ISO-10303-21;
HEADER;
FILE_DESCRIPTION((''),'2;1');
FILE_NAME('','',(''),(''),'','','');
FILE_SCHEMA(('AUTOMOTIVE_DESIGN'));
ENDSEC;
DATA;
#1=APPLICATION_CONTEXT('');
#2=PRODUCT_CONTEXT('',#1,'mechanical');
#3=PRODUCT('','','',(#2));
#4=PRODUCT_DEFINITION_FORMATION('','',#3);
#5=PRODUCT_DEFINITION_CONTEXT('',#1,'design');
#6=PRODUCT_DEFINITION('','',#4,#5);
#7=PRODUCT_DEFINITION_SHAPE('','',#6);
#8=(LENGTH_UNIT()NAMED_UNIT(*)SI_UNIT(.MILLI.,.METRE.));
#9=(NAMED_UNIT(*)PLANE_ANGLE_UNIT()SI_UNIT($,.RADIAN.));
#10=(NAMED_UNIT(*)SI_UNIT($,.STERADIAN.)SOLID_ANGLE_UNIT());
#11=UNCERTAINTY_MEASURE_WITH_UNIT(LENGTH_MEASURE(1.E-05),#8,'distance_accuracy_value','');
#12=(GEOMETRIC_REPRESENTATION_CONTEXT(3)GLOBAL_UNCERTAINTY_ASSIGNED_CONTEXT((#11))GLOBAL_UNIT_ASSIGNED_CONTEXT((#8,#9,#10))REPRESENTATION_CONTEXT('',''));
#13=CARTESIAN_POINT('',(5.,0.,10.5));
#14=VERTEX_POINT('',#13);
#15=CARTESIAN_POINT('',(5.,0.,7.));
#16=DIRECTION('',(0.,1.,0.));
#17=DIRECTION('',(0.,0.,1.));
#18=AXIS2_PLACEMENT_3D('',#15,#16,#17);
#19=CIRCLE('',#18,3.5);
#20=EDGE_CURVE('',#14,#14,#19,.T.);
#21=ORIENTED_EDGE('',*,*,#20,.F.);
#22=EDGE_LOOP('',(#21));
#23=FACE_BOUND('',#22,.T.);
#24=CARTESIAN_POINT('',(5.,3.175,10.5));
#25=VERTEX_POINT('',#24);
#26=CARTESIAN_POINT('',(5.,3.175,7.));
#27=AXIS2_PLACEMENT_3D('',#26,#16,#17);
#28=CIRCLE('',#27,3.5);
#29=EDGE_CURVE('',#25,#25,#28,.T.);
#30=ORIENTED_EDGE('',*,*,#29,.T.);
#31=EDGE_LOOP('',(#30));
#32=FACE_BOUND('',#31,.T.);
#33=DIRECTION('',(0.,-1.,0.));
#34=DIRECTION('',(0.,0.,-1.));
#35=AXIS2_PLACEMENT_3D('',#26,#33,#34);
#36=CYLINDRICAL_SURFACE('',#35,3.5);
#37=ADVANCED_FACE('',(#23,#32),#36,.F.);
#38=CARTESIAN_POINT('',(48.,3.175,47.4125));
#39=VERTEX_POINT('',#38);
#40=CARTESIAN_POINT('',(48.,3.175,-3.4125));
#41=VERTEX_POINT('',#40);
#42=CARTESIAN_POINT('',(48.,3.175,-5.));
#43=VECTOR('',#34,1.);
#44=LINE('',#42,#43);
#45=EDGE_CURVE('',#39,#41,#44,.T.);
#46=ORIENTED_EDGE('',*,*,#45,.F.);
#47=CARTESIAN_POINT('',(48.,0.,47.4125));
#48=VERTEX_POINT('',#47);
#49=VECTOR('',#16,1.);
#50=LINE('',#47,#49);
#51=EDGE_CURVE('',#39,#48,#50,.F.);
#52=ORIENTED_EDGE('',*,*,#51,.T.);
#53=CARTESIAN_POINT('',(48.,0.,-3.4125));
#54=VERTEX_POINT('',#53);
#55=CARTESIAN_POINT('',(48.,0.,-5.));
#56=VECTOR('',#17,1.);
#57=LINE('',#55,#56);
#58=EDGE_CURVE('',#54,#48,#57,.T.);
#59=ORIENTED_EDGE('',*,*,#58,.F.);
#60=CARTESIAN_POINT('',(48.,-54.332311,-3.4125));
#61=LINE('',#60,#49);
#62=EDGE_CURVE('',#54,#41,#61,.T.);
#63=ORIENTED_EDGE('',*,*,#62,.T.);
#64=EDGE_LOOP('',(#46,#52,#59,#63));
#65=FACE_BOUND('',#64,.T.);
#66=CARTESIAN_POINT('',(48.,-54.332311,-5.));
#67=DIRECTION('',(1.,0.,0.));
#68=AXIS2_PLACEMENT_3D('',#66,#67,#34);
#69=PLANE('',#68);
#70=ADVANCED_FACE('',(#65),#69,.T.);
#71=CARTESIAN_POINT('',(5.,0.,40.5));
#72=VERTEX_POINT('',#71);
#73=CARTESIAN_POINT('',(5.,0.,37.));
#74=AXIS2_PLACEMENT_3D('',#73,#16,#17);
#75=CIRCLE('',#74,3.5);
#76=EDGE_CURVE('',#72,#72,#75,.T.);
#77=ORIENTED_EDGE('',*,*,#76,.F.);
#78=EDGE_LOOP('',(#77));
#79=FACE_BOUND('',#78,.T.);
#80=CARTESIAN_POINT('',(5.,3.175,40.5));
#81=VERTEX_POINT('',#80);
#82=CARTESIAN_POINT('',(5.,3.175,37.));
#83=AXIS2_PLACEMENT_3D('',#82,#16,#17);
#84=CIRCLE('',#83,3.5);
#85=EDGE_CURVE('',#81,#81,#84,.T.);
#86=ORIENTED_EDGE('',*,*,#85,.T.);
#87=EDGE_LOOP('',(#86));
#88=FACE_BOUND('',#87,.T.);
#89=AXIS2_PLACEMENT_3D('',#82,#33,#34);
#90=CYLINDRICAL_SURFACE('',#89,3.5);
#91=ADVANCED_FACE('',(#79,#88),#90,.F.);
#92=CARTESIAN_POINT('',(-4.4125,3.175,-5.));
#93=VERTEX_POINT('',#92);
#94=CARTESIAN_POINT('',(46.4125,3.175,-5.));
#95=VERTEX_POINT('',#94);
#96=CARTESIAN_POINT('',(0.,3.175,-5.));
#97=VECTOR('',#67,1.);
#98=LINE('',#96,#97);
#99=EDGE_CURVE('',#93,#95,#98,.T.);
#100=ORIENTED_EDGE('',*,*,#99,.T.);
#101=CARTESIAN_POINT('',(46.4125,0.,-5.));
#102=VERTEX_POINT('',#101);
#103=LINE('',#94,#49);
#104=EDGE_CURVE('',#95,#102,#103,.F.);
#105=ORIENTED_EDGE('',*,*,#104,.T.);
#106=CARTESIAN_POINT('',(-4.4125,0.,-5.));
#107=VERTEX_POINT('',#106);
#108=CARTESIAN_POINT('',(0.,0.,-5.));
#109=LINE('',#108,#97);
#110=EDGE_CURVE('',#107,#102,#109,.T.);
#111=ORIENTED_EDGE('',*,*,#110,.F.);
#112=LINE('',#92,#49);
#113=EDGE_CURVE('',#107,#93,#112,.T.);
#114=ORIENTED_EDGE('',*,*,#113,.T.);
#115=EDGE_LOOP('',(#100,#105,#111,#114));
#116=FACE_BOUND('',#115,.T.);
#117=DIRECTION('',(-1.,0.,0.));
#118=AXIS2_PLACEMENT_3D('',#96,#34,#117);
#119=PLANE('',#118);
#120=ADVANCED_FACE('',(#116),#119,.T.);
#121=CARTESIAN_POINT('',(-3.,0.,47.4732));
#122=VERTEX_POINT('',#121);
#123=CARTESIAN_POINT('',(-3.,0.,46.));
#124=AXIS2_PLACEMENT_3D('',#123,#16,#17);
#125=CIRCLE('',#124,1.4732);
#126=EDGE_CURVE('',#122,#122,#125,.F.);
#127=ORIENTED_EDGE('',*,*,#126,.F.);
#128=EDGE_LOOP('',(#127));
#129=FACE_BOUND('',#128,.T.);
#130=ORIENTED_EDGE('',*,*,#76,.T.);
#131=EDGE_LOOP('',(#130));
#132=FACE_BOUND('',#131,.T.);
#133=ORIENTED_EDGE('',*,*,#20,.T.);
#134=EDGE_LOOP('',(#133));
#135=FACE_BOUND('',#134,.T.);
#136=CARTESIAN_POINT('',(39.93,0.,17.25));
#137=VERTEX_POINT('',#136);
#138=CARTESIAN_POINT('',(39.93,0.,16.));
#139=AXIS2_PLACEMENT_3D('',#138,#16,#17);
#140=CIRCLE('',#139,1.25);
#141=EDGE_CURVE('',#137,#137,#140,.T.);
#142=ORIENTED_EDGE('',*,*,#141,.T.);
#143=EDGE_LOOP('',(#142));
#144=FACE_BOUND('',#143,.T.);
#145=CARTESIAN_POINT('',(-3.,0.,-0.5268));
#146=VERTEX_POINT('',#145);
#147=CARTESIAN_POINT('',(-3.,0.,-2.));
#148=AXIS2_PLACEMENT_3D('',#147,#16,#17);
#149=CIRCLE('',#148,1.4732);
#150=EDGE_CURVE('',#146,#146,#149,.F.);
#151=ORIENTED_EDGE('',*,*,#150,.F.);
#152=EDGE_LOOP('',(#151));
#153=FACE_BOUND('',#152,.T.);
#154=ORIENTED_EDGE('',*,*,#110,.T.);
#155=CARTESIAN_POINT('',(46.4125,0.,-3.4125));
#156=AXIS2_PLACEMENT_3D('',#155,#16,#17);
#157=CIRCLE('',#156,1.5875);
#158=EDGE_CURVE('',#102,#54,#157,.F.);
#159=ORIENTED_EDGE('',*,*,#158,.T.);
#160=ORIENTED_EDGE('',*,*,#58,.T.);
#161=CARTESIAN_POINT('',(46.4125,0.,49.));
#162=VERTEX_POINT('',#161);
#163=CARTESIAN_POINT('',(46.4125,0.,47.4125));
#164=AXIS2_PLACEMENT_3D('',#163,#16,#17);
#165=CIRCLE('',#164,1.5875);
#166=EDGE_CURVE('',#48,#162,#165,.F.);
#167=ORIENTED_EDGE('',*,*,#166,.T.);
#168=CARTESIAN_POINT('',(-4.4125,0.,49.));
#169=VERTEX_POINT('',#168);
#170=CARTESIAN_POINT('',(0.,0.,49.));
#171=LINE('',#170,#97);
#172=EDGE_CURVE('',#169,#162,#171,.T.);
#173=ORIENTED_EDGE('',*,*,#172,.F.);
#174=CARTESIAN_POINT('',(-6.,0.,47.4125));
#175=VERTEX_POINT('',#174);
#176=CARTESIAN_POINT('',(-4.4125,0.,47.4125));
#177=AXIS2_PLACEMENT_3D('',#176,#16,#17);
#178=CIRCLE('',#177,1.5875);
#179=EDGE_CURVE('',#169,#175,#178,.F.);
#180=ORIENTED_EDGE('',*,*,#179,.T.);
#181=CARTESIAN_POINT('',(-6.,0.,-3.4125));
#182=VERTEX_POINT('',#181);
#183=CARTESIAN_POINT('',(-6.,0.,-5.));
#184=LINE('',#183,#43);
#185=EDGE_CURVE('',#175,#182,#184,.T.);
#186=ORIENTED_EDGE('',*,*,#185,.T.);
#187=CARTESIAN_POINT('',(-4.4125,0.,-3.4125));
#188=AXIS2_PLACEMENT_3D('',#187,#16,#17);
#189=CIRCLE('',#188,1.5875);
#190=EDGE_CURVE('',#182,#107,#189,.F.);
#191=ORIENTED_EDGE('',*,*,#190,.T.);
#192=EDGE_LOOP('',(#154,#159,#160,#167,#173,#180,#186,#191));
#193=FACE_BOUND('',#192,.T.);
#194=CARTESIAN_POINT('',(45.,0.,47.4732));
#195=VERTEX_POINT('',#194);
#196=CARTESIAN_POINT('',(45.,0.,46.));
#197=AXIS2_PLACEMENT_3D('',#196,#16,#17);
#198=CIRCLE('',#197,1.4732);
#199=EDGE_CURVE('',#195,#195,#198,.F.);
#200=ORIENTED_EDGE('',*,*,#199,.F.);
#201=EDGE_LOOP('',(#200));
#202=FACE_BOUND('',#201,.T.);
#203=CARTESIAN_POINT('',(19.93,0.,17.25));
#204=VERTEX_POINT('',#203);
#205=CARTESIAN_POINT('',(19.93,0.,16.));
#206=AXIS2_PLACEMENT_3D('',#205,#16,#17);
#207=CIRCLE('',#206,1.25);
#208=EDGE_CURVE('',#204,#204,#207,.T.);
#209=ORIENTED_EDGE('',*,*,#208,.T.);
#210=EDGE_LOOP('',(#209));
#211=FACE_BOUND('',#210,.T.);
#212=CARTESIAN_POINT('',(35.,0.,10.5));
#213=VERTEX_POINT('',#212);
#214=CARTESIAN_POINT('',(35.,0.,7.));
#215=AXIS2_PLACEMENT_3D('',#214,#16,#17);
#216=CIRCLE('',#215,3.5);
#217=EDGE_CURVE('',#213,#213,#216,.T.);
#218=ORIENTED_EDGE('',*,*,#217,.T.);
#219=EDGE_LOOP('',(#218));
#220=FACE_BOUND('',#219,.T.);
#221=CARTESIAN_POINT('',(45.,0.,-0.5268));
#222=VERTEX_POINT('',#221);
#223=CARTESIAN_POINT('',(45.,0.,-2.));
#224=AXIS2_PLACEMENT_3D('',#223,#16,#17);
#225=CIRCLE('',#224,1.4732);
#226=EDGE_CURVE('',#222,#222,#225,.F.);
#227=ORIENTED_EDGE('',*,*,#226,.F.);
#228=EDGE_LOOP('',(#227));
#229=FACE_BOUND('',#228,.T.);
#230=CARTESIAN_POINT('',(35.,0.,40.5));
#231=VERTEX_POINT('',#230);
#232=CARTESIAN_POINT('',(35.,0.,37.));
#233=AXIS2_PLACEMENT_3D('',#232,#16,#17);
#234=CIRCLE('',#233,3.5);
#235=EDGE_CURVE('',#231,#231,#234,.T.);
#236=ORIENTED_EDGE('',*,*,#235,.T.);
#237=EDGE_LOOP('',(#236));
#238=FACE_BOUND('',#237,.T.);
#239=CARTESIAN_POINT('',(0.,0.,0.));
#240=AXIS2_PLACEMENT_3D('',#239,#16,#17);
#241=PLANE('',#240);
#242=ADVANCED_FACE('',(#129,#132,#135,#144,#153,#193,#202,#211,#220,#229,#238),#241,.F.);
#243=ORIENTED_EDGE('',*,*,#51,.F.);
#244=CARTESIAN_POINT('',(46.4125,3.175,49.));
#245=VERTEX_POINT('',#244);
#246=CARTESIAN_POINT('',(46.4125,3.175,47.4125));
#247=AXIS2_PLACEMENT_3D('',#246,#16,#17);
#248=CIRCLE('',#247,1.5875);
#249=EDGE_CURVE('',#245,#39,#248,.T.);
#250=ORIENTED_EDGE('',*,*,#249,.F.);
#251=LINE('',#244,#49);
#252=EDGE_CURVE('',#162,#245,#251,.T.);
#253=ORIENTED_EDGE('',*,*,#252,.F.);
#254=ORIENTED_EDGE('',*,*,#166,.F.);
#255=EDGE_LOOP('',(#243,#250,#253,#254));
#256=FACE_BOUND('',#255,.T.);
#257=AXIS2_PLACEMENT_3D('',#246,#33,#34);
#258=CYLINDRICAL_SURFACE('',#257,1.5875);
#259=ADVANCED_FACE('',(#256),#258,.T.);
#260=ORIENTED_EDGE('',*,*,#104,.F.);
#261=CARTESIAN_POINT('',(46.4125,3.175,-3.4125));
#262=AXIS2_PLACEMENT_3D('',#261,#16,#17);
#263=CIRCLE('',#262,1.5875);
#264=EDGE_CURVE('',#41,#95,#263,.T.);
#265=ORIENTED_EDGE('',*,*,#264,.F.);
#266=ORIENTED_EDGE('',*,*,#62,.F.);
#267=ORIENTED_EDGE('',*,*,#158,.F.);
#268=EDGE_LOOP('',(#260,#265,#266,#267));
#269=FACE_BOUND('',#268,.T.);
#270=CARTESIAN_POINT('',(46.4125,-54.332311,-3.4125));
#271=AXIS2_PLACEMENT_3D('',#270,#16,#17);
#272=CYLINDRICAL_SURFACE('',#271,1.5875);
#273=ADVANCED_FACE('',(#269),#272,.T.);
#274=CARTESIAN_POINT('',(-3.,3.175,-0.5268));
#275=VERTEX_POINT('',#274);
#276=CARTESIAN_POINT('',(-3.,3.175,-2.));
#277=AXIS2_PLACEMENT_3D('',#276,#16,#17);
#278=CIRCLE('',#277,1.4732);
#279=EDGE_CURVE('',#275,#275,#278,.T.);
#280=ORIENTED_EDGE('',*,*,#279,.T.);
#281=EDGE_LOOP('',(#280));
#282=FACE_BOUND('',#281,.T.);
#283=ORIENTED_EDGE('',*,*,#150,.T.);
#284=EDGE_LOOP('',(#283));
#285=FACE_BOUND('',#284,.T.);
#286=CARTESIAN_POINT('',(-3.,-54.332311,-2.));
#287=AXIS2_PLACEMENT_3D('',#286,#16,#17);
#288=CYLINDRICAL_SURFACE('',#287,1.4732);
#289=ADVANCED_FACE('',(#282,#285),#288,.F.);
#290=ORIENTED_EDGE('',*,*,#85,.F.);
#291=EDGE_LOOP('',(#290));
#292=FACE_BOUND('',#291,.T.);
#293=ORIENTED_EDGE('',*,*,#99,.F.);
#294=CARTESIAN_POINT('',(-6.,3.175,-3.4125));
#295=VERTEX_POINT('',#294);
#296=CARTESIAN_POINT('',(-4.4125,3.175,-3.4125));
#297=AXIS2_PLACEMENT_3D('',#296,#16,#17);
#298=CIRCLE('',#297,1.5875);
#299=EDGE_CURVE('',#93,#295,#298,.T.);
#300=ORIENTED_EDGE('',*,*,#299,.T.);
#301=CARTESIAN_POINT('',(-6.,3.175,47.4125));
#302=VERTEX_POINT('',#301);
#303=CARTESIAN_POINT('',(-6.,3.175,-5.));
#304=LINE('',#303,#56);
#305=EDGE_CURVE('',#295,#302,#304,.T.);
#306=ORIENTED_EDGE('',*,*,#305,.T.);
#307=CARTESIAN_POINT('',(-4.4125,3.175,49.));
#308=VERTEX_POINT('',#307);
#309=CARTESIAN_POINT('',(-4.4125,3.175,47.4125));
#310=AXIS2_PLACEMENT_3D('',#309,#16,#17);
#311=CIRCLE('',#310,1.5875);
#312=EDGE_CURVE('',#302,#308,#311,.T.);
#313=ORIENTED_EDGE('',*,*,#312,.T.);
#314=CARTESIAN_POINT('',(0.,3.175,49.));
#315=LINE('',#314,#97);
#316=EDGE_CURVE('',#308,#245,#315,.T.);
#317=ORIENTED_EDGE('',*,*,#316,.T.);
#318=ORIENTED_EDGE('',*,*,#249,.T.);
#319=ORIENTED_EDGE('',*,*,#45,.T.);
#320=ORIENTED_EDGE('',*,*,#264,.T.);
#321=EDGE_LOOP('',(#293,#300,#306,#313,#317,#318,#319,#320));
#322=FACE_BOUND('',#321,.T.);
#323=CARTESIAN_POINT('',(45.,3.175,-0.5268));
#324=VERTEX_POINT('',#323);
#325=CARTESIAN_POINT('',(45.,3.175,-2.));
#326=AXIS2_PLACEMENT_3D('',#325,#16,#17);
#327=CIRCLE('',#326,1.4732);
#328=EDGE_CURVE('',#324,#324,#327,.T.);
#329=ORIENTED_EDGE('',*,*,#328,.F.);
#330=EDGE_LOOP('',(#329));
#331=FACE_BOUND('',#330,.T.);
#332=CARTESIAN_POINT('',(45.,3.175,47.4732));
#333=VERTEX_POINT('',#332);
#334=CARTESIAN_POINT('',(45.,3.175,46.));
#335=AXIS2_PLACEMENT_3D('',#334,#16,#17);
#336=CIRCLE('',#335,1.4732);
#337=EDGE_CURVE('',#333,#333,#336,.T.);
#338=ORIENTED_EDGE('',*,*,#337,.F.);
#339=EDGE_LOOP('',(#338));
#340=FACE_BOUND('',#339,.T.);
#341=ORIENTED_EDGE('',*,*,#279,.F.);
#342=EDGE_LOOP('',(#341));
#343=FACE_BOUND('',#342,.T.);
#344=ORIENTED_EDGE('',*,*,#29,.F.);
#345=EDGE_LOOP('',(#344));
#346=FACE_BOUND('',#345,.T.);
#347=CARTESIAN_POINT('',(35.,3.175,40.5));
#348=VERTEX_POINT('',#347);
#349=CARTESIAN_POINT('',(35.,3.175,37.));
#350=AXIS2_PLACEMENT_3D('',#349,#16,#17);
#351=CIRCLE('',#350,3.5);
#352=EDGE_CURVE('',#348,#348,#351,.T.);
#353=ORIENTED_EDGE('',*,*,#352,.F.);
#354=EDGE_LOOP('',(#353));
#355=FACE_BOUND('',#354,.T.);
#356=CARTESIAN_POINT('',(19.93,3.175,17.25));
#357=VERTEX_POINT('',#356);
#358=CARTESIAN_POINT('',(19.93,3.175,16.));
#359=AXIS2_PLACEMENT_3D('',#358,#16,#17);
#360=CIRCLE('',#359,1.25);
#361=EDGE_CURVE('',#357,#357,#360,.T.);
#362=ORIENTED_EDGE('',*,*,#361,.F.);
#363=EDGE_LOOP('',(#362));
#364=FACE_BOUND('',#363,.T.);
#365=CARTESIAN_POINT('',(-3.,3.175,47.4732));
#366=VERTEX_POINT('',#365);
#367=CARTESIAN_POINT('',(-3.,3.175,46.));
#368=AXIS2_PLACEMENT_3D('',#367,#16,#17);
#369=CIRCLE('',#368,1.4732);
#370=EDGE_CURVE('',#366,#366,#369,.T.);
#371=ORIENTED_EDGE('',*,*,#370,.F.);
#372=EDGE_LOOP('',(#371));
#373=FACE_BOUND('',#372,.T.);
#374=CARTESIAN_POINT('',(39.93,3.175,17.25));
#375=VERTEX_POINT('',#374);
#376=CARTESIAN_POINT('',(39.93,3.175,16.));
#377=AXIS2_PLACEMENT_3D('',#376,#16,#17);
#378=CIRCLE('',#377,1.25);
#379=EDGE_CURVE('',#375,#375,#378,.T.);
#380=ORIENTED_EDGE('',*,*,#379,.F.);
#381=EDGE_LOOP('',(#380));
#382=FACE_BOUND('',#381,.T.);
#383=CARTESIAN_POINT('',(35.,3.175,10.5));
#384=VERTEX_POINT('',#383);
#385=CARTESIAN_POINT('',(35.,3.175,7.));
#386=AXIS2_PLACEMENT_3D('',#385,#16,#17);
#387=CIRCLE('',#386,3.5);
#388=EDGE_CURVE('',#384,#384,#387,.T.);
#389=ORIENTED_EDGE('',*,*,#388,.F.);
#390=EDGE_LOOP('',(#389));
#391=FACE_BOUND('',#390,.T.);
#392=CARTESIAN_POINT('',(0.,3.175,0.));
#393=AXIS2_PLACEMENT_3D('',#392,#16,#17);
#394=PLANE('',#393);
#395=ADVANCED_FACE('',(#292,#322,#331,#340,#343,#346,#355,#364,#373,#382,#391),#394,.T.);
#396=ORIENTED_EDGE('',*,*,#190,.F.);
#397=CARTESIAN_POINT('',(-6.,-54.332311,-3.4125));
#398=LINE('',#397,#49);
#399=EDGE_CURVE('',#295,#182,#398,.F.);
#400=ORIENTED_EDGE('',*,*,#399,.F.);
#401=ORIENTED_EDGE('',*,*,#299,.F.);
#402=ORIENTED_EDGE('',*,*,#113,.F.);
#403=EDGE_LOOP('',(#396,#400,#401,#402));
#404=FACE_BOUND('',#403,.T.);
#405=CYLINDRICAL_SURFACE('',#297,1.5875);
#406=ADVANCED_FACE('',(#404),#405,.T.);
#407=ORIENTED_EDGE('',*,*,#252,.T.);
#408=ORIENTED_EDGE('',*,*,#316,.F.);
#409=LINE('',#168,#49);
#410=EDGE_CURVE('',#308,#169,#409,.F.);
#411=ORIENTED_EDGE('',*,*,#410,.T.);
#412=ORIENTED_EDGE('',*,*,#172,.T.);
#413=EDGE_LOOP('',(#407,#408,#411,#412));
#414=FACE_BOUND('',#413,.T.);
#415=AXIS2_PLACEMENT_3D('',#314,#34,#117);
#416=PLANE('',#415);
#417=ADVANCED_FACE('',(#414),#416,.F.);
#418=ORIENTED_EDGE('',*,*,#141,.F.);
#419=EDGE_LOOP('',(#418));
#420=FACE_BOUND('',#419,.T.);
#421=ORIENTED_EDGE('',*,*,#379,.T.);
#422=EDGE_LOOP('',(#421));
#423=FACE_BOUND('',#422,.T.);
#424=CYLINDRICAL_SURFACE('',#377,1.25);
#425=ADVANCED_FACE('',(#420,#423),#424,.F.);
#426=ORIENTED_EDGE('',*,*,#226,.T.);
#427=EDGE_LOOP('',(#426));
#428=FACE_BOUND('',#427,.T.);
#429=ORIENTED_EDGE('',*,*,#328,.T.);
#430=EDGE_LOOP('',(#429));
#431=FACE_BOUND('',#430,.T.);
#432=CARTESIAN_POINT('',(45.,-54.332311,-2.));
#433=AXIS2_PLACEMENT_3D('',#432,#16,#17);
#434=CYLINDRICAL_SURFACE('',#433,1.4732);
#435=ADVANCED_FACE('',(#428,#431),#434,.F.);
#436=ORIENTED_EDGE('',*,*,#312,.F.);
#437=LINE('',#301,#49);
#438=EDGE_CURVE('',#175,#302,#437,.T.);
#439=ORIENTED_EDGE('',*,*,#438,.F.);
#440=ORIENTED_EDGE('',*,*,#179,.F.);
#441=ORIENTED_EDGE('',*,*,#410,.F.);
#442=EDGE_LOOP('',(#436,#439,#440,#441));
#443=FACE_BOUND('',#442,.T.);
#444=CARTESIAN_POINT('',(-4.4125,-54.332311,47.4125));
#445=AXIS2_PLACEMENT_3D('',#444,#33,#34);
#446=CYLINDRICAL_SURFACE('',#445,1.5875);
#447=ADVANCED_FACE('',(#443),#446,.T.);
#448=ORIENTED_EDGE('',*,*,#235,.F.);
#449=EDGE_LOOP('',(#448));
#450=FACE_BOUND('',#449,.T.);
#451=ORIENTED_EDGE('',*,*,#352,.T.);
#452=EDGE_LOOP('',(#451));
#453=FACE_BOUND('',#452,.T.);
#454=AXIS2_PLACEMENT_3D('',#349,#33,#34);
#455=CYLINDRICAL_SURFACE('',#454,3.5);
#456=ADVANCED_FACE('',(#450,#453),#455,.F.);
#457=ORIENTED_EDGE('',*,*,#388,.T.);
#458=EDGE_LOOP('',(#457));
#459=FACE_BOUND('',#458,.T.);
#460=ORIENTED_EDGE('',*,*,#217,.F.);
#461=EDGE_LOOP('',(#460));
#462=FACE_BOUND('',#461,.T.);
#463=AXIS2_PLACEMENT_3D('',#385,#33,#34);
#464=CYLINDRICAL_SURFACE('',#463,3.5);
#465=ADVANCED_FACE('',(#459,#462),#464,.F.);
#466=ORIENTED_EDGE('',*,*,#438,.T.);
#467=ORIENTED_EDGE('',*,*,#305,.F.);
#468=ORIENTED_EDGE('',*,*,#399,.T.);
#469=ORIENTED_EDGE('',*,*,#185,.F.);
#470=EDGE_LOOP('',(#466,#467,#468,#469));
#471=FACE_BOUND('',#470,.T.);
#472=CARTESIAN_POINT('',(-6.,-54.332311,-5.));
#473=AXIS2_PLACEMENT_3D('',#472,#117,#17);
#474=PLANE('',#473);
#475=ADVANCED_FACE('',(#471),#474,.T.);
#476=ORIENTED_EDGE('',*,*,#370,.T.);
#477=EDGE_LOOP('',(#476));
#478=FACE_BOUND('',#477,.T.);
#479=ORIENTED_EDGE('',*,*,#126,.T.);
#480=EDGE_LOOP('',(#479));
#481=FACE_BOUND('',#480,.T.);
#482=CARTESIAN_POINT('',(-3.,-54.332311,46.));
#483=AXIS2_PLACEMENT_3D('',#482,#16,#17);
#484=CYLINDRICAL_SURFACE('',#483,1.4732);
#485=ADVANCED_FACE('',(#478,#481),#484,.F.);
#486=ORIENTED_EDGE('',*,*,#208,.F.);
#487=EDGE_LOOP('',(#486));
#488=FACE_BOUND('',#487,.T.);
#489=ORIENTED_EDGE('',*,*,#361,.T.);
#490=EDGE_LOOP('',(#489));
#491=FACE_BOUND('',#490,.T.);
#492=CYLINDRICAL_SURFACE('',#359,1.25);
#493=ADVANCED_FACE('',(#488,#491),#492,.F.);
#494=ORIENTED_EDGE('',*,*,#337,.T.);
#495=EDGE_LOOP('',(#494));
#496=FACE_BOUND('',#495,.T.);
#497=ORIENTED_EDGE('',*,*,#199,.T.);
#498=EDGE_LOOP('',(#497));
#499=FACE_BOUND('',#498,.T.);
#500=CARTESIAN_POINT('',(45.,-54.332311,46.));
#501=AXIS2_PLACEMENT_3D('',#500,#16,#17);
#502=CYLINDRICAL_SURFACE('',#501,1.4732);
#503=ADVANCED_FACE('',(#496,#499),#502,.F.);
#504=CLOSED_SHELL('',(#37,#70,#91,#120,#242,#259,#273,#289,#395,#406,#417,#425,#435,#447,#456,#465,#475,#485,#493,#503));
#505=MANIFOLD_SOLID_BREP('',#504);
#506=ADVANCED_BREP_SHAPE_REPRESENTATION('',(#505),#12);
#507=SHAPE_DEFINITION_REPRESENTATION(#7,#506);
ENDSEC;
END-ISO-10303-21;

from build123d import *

# Parameters (mm, degrees)
SKETCH1_W             = 42
SKETCH1_H             = 44
SKETCH1_R             = 0.5
SKETCH1_R_2           = 3.5
SKETCH1_H_2           = 5
BOSS_EXTRUDE1_DEPTH   = 3.175
SKETCH3_W             = 6
SKETCH3_H             = 54
SKETCH3_R             = 1.4732
BOSS_EXTRUDE2_DEPTH   = 3.175
M3X0_5_TAPPED_HOLE1_D = 2.5
FILLET1_R             = 1.5875


with BuildPart() as part:
    # Sketch1 → Boss-Extrude1 (new body)
    # profile 1 of 3: a face of its own
    with BuildSketch(Plane(origin=(0, 0, 0), x_dir=(1, 0, 0), z_dir=(0, 1, 0))):
        with Locations((21, -22)):
            Rectangle(SKETCH1_W, SKETCH1_H)
        with Locations(Location((39.93, -16, 0), (0, 0, 270))):
            Circle(SKETCH1_R, mode=Mode.SUBTRACT)
        with Locations(Location((19.93, -16, 0), (0, 0, 270))):
            Circle(SKETCH1_R, mode=Mode.SUBTRACT)
        with Locations(Location((5, -37, 0), (0, 0, 270))):
            Circle(SKETCH1_R_2, mode=Mode.SUBTRACT)
        with Locations(Location((35, -37, 0), (0, 0, 270))):
            Circle(SKETCH1_R_2, mode=Mode.SUBTRACT)
        with Locations(Location((35, -7, 0), (0, 0, 270))):
            Circle(SKETCH1_R_2, mode=Mode.SUBTRACT)
        with Locations(Location((5, -7, 0), (0, 0, 270))):
            Circle(SKETCH1_R_2, mode=Mode.SUBTRACT)
    # profile 2 of 3: a face of its own
    with BuildSketch(Plane(origin=(0, 0, 0), x_dir=(1, 0, 0), z_dir=(0, 1, 0))):
        with Locations((21, 2.5)):
            Rectangle(SKETCH1_W, SKETCH1_H_2)
    # profile 3 of 3: a face of its own
    with BuildSketch(Plane(origin=(0, 0, 0), x_dir=(1, 0, 0), z_dir=(0, 1, 0))):
        with Locations((21, -46.5)):
            Rectangle(SKETCH1_W, SKETCH1_H_2)
    extrude(amount=BOSS_EXTRUDE1_DEPTH)

    # Sketch3 → Boss-Extrude2 (add)
    # profile 1 of 2: a face of its own
    with BuildSketch(Plane(origin=(0, 3.175, 0), x_dir=(1, 0, 0), z_dir=(0, 1, 0))):
        with Locations((-3, -22)):
            Rectangle(SKETCH3_W, SKETCH3_H)
        with Locations(Location((-3, 2, 0), (0, 0, 270))):
            Circle(SKETCH3_R, mode=Mode.SUBTRACT)
        with Locations(Location((-3, -46, 0), (0, 0, 270))):
            Circle(SKETCH3_R, mode=Mode.SUBTRACT)
    # profile 2 of 2: a face of its own
    with BuildSketch(Plane(origin=(0, 3.175, 0), x_dir=(1, 0, 0), z_dir=(0, 1, 0))):
        with Locations((45, -22)):
            Rectangle(SKETCH3_W, SKETCH3_H)
        with Locations(Location((45, -46, 0), (0, 0, 270))):
            Circle(SKETCH3_R, mode=Mode.SUBTRACT)
        with Locations(Location((45, 2, 0), (0, 0, 270))):
            Circle(SKETCH3_R, mode=Mode.SUBTRACT)
    extrude(amount=-BOSS_EXTRUDE2_DEPTH)

    # M3x0.5 Tapped Hole1 (through all)
    with Locations(Plane(origin=(39.93, 3.175, 16), x_dir=(0, 0, 1), z_dir=(0, 1, 0))):
        with Locations((0, 0), (0, -20)):
            Hole(M3X0_5_TAPPED_HOLE1_D / 2)

    # Fillet1
    fillet1_edges = [part.edges().sort_by_distance(p)[0] for p in [
        (-6, 1.5875, -5),
        (-6, 1.5875, 49),
        (48, 1.5875, 49),
        (48, 1.5875, -5),
    ]]
    fillet(fillet1_edges, radius=FILLET1_R)


solid = part.part
